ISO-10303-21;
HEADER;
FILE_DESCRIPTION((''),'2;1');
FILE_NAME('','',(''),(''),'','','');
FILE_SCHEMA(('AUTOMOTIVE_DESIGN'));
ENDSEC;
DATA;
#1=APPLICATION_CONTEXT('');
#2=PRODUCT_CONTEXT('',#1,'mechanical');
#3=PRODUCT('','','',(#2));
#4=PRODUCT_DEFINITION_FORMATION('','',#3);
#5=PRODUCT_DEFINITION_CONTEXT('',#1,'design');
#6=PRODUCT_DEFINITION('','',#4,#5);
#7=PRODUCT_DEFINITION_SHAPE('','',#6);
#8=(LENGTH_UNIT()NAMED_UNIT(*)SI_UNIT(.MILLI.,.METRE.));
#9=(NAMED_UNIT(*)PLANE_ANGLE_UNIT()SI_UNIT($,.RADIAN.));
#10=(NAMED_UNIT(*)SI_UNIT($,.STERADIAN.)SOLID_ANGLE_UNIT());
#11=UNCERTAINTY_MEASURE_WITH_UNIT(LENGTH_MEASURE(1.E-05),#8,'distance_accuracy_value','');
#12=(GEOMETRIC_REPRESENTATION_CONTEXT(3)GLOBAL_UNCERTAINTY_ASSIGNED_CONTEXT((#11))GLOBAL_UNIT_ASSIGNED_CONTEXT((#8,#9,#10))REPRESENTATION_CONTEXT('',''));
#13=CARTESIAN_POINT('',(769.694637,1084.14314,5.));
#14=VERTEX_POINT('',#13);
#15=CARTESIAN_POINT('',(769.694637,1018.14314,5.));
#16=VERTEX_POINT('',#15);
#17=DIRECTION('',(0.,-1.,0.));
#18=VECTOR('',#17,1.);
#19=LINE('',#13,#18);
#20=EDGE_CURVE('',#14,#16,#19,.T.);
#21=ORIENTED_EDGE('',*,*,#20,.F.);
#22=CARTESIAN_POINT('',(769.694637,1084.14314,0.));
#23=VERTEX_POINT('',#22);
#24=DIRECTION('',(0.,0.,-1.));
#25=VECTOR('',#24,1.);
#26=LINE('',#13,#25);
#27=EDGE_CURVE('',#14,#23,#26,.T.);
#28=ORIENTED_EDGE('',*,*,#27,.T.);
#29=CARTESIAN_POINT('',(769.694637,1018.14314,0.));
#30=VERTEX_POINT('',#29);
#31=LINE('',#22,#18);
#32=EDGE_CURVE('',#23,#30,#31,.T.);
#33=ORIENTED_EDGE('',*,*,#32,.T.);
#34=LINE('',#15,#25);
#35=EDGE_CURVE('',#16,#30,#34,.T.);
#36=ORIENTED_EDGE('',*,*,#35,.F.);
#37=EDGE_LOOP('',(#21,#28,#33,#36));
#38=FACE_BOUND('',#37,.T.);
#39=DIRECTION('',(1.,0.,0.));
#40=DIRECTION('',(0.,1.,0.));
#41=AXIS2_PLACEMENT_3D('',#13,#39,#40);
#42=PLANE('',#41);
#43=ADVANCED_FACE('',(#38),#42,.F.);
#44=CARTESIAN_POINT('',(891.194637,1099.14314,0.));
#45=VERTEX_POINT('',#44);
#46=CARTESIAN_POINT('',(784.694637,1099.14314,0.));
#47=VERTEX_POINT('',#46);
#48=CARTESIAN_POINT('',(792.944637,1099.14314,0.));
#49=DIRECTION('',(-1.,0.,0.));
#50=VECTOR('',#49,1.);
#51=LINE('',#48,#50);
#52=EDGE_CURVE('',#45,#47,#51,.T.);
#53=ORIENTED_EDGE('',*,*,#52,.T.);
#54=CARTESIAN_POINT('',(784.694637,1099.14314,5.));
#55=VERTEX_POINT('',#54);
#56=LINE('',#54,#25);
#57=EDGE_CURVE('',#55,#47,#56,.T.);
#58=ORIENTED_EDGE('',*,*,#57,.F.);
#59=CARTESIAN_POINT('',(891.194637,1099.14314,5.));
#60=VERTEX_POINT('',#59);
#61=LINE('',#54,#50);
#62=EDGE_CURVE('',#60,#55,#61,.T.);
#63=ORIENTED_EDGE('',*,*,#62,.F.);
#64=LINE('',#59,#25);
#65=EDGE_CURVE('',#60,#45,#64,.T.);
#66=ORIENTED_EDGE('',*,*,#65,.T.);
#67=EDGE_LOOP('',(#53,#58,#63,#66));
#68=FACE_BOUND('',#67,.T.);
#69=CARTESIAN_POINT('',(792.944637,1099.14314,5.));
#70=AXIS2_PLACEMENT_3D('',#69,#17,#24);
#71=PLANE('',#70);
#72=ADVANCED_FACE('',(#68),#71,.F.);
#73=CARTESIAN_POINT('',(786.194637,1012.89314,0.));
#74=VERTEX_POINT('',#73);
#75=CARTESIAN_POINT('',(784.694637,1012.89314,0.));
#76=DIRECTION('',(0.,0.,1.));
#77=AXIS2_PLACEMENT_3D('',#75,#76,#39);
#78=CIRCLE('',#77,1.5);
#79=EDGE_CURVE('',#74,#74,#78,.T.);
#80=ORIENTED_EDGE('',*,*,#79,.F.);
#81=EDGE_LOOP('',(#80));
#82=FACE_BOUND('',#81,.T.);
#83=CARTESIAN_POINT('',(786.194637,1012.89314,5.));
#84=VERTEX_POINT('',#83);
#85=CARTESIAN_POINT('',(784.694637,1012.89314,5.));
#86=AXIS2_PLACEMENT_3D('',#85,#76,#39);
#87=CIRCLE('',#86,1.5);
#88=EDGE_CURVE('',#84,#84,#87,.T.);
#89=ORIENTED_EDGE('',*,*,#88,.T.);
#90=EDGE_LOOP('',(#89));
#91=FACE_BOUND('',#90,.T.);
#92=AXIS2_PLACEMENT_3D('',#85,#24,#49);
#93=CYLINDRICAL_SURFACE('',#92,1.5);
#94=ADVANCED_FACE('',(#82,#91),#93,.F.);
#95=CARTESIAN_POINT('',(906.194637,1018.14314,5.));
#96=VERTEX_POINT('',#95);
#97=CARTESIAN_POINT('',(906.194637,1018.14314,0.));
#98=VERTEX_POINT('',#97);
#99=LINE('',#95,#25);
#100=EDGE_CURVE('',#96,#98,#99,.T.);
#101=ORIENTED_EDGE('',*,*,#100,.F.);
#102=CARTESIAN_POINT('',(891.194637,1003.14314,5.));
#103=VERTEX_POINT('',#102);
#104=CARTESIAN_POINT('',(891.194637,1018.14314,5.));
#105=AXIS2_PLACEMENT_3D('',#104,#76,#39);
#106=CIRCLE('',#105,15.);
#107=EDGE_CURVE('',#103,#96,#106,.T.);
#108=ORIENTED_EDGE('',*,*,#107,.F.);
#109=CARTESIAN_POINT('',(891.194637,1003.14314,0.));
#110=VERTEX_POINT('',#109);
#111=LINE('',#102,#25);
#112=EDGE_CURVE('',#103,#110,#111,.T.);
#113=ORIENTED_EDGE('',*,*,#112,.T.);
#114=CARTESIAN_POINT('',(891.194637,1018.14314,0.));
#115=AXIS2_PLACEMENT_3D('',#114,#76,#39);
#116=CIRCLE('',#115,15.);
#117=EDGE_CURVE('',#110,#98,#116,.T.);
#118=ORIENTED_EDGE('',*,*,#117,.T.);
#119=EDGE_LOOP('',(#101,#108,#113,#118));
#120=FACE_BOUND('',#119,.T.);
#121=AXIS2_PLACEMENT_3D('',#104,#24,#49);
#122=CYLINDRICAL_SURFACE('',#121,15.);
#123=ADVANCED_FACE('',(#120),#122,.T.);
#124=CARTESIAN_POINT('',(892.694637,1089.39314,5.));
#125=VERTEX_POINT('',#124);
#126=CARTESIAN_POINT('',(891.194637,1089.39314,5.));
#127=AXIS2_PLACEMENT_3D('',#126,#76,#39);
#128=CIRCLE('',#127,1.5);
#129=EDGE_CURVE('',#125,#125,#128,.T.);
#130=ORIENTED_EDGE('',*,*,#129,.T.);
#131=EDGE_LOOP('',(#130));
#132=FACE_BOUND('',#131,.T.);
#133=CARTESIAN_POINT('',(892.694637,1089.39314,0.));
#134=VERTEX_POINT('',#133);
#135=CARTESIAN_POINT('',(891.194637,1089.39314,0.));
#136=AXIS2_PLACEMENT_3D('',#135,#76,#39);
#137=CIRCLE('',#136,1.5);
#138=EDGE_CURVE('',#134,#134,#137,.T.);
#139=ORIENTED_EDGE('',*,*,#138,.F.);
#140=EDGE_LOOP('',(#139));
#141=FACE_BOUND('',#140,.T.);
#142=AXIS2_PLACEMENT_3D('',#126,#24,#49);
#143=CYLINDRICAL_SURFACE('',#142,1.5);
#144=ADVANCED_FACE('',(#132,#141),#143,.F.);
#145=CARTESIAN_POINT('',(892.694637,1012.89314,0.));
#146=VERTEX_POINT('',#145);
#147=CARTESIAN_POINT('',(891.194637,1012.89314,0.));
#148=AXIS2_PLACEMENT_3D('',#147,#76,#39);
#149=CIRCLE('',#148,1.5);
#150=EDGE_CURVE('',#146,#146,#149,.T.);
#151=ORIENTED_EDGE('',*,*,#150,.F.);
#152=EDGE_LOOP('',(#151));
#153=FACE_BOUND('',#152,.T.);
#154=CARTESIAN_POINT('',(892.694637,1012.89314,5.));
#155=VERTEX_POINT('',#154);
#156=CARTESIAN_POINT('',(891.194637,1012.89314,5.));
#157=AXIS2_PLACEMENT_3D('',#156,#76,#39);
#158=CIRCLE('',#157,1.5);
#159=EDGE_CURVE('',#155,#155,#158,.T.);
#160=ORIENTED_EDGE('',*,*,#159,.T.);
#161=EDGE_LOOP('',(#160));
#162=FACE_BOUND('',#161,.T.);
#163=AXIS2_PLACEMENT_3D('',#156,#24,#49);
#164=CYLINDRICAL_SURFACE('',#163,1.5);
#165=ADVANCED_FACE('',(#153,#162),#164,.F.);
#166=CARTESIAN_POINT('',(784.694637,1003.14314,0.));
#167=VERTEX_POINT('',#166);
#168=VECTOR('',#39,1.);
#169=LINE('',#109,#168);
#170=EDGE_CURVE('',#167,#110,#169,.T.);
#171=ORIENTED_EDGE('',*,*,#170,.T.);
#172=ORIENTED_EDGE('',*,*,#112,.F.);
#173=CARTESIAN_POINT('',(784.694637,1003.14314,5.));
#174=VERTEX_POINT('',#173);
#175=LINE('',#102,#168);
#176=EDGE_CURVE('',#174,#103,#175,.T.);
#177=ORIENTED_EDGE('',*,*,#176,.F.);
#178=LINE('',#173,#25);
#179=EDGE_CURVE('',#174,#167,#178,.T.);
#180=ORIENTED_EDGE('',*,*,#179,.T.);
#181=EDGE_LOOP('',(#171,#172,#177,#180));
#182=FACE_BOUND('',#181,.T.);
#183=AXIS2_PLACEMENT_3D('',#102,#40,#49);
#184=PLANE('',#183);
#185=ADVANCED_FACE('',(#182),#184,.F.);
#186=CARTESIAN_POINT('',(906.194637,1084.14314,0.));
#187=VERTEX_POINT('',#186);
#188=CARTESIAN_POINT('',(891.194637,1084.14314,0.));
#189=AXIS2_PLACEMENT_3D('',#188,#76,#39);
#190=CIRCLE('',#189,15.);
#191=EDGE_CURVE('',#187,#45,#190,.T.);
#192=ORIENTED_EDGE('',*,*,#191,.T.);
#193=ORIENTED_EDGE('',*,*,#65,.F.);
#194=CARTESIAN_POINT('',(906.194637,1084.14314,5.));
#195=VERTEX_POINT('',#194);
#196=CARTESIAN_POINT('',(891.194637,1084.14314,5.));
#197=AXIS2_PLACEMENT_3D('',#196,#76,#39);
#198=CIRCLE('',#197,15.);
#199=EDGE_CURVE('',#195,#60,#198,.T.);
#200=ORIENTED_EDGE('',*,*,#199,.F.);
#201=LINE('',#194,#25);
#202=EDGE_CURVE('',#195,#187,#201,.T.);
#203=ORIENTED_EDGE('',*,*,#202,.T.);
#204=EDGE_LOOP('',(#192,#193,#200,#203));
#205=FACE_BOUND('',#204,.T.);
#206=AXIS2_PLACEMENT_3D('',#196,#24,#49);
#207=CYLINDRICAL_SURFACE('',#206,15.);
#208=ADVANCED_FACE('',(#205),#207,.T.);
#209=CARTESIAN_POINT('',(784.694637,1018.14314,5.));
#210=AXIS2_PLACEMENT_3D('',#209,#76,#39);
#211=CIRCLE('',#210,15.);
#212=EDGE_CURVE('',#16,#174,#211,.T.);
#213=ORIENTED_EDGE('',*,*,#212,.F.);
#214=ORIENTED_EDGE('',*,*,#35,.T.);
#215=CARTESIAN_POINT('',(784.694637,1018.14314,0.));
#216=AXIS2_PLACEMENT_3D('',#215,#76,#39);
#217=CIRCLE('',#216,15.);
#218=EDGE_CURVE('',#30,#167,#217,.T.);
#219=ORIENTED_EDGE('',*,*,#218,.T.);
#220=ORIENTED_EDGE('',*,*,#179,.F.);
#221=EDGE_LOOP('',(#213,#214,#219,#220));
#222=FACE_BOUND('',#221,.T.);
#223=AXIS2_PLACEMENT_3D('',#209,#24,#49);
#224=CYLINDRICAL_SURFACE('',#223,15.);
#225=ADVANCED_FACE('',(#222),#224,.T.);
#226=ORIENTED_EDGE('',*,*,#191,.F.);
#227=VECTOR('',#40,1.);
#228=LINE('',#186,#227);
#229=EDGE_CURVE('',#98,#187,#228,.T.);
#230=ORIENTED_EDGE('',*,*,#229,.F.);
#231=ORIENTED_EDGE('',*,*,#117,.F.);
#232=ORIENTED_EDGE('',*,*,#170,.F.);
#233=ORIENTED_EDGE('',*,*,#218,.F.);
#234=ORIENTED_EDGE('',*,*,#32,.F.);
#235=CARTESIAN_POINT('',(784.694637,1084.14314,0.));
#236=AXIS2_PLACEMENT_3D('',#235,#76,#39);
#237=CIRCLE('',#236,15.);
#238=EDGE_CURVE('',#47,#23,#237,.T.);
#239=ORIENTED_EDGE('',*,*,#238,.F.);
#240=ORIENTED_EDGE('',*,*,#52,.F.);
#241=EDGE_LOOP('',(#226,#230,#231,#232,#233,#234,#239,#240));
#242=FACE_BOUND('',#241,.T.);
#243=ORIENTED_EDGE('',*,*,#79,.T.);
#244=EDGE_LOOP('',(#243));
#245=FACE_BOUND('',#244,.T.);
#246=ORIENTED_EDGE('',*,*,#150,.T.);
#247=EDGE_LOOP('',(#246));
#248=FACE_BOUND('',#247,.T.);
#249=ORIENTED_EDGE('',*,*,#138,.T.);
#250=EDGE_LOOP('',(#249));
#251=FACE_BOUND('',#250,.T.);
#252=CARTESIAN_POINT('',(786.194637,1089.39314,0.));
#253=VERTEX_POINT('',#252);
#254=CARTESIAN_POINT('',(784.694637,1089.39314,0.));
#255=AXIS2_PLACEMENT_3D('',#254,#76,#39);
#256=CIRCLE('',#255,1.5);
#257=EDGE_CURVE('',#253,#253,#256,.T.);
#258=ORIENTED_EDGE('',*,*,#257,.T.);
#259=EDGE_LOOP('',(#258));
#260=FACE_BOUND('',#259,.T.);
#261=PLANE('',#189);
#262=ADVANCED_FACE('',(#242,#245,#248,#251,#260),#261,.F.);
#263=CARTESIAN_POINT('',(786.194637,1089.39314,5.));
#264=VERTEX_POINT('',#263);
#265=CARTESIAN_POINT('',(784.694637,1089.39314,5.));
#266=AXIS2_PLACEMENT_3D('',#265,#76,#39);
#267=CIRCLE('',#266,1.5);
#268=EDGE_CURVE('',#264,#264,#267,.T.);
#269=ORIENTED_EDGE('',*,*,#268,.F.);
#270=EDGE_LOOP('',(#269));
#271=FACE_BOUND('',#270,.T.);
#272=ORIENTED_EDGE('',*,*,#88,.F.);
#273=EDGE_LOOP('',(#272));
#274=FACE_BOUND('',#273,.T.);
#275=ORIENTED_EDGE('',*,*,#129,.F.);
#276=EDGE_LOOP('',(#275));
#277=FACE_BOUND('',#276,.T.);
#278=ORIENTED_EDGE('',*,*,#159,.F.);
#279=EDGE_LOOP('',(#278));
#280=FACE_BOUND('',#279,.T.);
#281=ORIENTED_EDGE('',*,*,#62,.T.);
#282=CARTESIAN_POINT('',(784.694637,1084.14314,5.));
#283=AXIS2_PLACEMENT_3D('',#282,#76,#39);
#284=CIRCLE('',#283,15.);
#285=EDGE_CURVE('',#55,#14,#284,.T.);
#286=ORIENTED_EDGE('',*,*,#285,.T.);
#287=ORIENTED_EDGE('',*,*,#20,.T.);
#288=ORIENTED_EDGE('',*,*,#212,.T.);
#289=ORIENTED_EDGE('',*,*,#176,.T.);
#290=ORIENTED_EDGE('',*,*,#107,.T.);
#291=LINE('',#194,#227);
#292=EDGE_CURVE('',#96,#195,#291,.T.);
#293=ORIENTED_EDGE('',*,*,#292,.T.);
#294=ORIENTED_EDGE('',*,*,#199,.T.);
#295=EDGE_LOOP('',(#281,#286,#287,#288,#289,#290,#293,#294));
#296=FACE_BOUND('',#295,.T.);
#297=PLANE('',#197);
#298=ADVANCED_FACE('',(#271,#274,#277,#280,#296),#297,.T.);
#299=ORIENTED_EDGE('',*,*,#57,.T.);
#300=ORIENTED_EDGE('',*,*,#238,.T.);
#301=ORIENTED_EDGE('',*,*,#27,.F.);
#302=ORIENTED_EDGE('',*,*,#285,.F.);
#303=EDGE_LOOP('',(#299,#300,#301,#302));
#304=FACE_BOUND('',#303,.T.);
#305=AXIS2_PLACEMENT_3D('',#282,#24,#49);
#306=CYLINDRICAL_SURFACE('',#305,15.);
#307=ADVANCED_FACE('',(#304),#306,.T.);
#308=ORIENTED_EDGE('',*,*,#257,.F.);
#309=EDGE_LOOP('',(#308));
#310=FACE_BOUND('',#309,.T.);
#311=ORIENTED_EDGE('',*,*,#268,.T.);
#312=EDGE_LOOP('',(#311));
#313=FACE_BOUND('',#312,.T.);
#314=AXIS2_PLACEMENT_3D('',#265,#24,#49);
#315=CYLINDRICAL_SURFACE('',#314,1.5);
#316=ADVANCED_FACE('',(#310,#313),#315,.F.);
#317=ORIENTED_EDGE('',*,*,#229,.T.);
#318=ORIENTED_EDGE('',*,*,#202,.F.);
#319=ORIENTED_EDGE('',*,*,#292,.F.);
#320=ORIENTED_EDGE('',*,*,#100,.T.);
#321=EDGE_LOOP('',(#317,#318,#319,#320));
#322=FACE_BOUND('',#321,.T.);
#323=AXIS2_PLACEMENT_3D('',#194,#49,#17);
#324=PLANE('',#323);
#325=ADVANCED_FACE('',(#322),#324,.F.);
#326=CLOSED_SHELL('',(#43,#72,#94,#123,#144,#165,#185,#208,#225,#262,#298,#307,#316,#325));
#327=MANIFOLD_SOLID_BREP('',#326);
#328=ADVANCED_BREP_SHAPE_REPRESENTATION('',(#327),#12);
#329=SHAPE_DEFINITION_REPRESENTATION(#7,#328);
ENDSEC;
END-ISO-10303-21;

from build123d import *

# Parameters (mm, degrees)
SKETCH2_R           = 1.5
BOSS_EXTRUDE1_DEPTH = 5


with BuildPart() as part:
    # Sketch2 → Boss-Extrude1 (new body)
    with BuildSketch(Plane.XY):
        with BuildLine():
            Line((792.944636851, 1099.1431403), (882.944636851, 1099.1431403))
            Line((882.944636851, 1099.1431403), (891.194636851, 1099.1431403))
            ThreePointArc((891.194636851, 1099.1431403), (901.801238569, 1094.749742018), (906.194636851, 1084.1431403))
            Line((906.194636851, 1084.1431403), (906.194636851, 1018.1431403))
            ThreePointArc((906.194636851, 1018.1431403), (901.801238569, 1007.536538582), (891.194636851, 1003.1431403))
            Line((891.194636851, 1003.1431403), (784.694636851, 1003.1431403))
            ThreePointArc((784.694636851, 1003.1431403), (774.088035133, 1007.536538582), (769.694636851, 1018.1431403))
            Line((769.694636851, 1018.1431403), (769.694636851, 1084.1431403))
            ThreePointArc((769.694636851, 1084.1431403), (774.088035133, 1094.749742018), (784.694636851, 1099.1431403))
            Line((784.694636851, 1099.1431403), (792.944636851, 1099.1431403))
        make_face()
        with Locations((784.694636851, 1089.3931403)):
            Circle(SKETCH2_R, mode=Mode.SUBTRACT)
        with Locations((784.694636851, 1012.8931403)):
            Circle(SKETCH2_R, mode=Mode.SUBTRACT)
        with Locations((891.194636851, 1012.8931403)):
            Circle(SKETCH2_R, mode=Mode.SUBTRACT)
        with Locations((891.194636851, 1089.3931403)):
            Circle(SKETCH2_R, mode=Mode.SUBTRACT)
    extrude(amount=BOSS_EXTRUDE1_DEPTH)


solid = part.part
